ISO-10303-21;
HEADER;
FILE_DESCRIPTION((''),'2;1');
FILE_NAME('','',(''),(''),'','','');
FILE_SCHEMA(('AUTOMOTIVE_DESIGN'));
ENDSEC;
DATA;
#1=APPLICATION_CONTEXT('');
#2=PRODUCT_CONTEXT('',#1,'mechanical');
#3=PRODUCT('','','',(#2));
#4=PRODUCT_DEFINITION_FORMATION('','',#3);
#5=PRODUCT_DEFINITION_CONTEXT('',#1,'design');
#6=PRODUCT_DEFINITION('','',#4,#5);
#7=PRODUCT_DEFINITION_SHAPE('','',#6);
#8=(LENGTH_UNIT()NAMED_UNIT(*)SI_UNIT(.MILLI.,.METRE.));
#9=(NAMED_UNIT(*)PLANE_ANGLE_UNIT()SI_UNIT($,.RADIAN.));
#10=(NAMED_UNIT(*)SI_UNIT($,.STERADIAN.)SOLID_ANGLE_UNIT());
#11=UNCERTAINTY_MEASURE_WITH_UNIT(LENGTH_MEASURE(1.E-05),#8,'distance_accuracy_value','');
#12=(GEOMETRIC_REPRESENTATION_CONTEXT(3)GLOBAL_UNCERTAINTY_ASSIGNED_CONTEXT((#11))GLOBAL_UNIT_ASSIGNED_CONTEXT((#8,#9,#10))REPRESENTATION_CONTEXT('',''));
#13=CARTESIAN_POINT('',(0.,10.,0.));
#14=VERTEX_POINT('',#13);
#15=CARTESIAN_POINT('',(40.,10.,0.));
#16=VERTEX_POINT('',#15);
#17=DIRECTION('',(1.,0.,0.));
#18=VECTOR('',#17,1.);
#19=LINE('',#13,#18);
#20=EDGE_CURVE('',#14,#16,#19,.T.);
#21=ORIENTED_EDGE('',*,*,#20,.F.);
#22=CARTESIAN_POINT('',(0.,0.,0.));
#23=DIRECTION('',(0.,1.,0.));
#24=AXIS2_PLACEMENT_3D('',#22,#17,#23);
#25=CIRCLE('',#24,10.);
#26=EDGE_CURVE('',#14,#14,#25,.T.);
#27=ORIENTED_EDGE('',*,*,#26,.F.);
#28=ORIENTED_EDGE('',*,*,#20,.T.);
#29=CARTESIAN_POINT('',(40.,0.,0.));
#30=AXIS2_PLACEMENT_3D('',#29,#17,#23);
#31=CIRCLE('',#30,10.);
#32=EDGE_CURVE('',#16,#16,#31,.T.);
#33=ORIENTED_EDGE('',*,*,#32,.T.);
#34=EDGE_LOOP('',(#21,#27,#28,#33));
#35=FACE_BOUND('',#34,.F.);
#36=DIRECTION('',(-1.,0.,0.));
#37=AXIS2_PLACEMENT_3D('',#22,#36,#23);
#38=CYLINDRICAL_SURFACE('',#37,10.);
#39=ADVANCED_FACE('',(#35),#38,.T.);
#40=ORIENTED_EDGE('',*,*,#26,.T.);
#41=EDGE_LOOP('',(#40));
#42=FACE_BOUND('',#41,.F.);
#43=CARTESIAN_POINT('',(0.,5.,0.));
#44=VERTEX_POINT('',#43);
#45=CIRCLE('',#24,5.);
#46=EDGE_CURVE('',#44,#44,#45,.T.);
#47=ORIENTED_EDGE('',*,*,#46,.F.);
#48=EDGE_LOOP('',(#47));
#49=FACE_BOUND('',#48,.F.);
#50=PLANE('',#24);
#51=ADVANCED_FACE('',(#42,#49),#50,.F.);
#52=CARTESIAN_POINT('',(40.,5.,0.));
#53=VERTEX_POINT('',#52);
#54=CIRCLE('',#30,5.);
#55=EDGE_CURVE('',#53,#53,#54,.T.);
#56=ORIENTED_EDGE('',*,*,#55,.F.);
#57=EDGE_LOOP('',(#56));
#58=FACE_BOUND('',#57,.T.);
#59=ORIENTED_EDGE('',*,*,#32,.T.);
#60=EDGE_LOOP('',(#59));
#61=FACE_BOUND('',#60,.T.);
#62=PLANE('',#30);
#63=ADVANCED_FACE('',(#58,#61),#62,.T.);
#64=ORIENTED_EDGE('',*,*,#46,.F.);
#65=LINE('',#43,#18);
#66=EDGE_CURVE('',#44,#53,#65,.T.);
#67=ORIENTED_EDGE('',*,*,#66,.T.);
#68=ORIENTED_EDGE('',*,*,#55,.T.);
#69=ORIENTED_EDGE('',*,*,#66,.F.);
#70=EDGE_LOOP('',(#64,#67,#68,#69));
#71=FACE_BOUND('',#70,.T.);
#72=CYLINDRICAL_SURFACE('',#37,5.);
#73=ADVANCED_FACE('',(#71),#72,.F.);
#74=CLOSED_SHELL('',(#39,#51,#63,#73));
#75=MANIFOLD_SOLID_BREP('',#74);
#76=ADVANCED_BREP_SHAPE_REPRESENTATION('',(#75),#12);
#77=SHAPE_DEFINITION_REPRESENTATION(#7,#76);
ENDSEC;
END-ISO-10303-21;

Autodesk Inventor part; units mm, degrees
ref_plane "YZ Plane" through (0, 0, 0) normal (1, 0, 0) x (0, 1, 0)
ref_plane "XZ Plane" through (0, 0, 0) normal (0, 1, 0) x (-1, 0, 0)
ref_plane "XY Plane" through (0, 0, 0) normal (0, 0, 1) x (1, 0, 0)
sketch "Esboço1" plane through (0, 0, 0) normal (1, 0, 0) x (0, 1, 0)
  circle A0 centre (0, 0) radius 5
  circle A1 centre (0, 0) radius 10
  dimension "d0" = 10
  dimension "d1" = 20
extrude "Extrusão1" add sketch "Esboço1" along normal blind 40
properties part number "6Peça_"
